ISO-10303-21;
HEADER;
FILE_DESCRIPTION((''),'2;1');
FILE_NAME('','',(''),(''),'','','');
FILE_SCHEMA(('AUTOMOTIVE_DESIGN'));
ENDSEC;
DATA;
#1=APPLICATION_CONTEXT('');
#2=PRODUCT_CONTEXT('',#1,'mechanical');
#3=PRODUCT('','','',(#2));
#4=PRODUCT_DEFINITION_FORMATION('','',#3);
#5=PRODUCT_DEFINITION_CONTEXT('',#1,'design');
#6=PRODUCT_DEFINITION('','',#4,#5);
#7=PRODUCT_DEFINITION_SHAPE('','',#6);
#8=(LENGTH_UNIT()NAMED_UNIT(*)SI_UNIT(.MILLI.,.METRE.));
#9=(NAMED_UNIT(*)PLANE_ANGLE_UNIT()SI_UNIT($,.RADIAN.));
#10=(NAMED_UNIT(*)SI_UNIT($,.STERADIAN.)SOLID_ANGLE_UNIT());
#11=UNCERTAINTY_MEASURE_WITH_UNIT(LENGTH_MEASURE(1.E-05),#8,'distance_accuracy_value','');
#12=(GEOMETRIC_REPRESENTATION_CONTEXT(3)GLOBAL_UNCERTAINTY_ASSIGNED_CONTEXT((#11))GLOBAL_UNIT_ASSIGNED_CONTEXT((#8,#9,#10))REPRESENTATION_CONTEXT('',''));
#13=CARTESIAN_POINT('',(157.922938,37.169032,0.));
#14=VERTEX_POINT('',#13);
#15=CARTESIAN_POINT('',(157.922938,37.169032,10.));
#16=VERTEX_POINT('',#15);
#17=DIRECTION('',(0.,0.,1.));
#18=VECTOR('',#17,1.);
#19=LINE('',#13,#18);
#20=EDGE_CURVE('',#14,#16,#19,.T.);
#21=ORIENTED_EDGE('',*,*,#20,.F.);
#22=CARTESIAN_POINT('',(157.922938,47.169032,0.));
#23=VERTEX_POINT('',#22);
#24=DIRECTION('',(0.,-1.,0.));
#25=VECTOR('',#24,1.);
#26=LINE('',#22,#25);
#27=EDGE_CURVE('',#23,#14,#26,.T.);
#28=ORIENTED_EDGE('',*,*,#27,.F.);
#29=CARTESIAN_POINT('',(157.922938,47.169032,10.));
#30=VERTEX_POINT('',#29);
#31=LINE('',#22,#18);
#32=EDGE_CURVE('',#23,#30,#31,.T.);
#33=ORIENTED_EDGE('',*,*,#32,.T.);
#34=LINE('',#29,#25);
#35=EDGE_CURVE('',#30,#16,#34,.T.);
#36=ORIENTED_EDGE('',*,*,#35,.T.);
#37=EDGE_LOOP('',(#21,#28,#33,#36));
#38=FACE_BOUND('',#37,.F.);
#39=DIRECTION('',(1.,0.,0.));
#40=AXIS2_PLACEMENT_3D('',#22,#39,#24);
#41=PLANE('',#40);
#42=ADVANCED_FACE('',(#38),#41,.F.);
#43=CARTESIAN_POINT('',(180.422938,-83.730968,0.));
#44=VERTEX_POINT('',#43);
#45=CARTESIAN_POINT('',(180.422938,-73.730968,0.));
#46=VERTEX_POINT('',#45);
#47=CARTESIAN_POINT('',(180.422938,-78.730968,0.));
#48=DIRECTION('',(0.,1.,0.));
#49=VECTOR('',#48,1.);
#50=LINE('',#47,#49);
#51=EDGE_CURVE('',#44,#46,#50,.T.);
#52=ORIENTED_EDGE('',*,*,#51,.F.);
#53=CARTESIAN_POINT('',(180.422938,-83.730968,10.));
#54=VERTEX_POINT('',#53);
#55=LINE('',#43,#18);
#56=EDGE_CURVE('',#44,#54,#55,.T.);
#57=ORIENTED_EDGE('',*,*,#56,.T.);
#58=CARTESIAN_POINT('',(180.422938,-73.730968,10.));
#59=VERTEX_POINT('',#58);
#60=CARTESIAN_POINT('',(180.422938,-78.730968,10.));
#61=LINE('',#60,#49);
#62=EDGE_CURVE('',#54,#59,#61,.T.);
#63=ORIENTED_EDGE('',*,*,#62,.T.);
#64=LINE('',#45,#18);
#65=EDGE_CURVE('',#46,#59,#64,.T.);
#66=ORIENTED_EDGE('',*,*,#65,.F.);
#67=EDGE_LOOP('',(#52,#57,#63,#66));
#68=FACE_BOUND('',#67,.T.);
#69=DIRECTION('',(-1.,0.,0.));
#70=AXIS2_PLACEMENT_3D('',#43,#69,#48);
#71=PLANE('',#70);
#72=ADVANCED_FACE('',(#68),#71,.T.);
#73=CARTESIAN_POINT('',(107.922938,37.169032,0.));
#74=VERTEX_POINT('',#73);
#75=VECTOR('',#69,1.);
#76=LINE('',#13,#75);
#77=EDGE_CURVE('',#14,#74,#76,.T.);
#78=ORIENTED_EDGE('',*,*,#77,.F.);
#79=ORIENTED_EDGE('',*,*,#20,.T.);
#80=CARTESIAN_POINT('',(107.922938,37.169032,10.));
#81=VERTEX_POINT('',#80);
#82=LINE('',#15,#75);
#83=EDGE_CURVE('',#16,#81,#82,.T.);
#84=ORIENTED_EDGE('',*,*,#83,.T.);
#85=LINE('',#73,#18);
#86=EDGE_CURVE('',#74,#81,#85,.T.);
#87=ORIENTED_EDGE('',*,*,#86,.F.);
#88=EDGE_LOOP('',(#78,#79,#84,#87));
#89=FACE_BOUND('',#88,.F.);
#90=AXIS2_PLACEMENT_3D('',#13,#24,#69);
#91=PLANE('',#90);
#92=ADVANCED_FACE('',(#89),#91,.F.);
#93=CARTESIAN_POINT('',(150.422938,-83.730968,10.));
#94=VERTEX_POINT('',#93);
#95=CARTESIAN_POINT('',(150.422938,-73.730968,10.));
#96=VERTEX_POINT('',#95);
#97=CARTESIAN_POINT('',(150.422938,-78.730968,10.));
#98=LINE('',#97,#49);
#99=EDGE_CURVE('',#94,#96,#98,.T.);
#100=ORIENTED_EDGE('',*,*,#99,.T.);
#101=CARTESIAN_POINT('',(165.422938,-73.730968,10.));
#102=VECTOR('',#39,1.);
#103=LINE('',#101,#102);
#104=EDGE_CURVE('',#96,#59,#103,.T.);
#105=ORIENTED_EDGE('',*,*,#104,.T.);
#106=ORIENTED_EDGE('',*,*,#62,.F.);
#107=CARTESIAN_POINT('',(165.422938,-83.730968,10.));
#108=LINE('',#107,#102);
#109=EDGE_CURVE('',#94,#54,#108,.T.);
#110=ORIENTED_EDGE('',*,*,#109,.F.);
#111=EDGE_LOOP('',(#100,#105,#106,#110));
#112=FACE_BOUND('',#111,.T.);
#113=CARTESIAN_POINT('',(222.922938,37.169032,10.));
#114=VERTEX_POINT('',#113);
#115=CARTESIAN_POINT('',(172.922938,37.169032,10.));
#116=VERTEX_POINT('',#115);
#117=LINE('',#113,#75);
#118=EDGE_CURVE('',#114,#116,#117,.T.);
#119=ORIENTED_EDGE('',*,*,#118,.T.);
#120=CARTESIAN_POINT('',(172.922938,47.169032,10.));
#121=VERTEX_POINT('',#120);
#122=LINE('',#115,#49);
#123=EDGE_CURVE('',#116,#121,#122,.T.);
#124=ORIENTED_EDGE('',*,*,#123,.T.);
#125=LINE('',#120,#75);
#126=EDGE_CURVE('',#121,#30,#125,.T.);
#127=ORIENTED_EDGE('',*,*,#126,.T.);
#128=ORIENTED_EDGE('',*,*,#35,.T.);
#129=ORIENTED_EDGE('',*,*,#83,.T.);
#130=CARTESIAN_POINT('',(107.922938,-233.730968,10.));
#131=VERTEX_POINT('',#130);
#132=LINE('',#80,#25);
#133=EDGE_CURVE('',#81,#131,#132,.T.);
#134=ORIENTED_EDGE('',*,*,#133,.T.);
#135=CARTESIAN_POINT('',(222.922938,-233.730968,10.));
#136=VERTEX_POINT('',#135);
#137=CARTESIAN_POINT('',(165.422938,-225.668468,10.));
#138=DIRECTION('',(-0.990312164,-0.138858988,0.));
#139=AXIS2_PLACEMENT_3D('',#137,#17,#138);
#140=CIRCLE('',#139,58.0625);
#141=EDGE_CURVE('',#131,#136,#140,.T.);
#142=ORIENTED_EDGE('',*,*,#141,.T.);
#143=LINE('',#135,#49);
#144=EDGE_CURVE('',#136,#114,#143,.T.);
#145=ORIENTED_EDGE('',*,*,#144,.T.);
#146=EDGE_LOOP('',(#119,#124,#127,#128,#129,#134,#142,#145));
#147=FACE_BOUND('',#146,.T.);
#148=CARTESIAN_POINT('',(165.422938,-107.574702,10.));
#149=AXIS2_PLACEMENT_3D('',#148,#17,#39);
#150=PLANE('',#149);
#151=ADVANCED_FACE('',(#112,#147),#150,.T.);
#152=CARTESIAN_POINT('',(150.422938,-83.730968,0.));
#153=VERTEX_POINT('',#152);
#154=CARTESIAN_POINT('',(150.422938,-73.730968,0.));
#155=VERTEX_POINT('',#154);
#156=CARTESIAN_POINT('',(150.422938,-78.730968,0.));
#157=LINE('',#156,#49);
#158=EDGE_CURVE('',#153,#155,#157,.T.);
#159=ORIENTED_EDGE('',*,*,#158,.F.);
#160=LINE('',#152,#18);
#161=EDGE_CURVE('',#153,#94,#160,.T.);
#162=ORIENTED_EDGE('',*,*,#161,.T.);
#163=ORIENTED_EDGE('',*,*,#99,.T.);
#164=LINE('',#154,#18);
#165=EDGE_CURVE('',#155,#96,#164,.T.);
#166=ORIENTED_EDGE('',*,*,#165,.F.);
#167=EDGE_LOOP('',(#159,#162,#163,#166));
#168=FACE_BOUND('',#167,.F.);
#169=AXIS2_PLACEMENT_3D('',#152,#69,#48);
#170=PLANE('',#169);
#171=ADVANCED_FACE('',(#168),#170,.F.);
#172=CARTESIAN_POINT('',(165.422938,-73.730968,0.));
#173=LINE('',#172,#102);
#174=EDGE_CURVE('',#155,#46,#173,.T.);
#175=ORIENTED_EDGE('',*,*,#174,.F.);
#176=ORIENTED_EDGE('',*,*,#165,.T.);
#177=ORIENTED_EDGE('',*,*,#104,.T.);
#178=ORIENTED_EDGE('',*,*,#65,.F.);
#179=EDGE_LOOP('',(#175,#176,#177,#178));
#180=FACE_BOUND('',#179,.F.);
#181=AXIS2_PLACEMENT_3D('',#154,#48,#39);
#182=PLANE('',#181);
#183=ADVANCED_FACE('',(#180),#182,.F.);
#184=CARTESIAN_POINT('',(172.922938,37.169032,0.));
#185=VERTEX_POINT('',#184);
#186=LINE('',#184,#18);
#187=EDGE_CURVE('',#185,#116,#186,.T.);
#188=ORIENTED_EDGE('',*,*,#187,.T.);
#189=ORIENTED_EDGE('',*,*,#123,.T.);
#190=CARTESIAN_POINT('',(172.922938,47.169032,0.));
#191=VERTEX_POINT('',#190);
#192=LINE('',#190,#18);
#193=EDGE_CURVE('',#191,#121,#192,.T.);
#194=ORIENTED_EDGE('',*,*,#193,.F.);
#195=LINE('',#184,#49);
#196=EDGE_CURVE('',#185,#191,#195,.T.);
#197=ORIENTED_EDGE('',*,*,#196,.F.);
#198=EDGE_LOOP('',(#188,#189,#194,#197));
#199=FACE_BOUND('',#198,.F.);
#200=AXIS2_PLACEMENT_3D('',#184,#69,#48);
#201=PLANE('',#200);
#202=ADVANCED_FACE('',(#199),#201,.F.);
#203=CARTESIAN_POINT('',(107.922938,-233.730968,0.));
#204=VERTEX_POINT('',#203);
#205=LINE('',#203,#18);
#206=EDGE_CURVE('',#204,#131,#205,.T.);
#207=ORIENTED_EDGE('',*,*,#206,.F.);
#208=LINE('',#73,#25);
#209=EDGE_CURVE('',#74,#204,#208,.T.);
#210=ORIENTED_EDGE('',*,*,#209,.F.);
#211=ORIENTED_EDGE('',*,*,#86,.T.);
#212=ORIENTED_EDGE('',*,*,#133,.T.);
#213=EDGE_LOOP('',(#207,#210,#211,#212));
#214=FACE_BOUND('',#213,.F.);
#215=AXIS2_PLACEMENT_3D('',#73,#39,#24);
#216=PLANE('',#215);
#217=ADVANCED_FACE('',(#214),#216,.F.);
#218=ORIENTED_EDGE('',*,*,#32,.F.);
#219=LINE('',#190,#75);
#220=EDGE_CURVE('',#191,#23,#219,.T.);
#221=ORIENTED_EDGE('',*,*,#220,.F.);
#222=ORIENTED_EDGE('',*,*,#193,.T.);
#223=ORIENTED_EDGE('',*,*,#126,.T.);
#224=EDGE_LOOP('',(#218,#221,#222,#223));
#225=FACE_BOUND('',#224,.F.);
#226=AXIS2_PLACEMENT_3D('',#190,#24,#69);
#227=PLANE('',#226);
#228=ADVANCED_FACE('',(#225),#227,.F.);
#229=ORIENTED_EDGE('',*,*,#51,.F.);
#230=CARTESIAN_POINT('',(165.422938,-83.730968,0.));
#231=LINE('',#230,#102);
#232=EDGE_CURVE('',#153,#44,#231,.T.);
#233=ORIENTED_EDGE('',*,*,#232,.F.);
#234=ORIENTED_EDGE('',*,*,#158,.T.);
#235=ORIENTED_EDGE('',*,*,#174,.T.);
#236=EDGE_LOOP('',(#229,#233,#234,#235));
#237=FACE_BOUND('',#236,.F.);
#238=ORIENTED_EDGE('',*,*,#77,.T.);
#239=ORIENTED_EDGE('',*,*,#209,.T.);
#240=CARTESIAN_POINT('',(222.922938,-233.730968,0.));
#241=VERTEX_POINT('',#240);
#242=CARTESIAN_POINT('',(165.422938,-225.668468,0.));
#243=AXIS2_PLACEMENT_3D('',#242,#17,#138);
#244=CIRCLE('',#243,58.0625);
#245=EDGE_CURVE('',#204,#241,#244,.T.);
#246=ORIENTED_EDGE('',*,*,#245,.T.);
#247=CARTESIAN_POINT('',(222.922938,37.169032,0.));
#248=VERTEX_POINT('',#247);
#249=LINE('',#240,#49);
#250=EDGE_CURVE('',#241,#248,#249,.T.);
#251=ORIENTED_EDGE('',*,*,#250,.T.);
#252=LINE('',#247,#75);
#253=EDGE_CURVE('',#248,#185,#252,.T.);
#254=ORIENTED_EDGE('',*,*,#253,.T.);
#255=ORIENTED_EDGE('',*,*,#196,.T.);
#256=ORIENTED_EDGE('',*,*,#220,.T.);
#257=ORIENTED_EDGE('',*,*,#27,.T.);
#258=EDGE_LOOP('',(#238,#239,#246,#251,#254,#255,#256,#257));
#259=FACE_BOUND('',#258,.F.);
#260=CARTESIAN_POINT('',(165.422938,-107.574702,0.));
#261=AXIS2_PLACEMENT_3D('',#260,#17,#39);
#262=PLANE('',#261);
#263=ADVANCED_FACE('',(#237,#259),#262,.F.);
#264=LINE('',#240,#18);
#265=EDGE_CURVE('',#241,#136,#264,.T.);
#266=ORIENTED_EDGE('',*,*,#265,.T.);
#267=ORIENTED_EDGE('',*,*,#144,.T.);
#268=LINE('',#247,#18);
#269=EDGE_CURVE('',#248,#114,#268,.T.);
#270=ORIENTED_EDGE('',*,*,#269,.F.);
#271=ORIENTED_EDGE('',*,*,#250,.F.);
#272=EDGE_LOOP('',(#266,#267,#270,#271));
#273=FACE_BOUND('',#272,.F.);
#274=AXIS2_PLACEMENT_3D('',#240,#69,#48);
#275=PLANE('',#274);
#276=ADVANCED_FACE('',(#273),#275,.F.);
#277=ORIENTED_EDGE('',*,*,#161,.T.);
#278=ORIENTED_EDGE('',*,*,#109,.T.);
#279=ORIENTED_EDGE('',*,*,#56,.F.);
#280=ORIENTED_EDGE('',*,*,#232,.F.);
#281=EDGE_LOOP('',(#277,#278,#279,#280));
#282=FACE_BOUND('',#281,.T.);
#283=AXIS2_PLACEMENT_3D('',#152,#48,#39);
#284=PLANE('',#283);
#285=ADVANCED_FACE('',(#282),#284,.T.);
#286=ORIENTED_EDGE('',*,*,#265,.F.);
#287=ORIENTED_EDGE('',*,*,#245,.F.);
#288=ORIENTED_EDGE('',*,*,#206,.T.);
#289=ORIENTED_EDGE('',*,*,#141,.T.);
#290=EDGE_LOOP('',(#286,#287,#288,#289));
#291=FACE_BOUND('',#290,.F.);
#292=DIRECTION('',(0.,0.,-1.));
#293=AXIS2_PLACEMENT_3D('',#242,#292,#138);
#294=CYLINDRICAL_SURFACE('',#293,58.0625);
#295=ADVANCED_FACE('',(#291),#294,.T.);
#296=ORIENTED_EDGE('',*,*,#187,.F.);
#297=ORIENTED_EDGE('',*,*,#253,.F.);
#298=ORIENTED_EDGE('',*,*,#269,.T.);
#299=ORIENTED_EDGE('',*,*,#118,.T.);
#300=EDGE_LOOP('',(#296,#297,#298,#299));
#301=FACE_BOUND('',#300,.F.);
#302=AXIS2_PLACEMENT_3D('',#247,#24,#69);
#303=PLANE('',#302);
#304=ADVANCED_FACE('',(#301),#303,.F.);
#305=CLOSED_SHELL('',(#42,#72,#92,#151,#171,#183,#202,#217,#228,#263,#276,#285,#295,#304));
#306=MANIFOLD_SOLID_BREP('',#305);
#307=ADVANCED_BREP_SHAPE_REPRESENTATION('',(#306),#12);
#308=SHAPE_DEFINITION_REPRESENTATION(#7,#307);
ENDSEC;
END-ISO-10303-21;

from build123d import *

# Parameters (mm, degrees)
F0_W     = 30
F0_H     = 10
F1_DEPTH = 10


with BuildPart() as f1:
    # F0 (on Top) → F1 (new body)
    with BuildSketch(Plane.XY):
        with BuildLine():
            Line((157.922938, 37.169032), (107.922938, 37.169032))
            Line((107.922938, 37.169032), (107.922938, -233.730968))
            ThreePointArc((107.922938, -233.730968), (165.422938, -283.730968), (222.922938, -233.730968))
            Line((222.922938, -233.730968), (222.922938, 37.169032))
            Line((222.922938, 37.169032), (172.922938, 37.169032))
            Line((172.922938, 37.169032), (172.922938, 47.169032))
            Line((172.922938, 47.169032), (157.922938, 47.169032))
            Line((157.922938, 47.169032), (157.922938, 37.169032))
        make_face()
        with Locations((165.422938, -78.730968)):
            Rectangle(F0_W, F0_H, mode=Mode.SUBTRACT)
    extrude(amount=F1_DEPTH)


solid = f1.part
